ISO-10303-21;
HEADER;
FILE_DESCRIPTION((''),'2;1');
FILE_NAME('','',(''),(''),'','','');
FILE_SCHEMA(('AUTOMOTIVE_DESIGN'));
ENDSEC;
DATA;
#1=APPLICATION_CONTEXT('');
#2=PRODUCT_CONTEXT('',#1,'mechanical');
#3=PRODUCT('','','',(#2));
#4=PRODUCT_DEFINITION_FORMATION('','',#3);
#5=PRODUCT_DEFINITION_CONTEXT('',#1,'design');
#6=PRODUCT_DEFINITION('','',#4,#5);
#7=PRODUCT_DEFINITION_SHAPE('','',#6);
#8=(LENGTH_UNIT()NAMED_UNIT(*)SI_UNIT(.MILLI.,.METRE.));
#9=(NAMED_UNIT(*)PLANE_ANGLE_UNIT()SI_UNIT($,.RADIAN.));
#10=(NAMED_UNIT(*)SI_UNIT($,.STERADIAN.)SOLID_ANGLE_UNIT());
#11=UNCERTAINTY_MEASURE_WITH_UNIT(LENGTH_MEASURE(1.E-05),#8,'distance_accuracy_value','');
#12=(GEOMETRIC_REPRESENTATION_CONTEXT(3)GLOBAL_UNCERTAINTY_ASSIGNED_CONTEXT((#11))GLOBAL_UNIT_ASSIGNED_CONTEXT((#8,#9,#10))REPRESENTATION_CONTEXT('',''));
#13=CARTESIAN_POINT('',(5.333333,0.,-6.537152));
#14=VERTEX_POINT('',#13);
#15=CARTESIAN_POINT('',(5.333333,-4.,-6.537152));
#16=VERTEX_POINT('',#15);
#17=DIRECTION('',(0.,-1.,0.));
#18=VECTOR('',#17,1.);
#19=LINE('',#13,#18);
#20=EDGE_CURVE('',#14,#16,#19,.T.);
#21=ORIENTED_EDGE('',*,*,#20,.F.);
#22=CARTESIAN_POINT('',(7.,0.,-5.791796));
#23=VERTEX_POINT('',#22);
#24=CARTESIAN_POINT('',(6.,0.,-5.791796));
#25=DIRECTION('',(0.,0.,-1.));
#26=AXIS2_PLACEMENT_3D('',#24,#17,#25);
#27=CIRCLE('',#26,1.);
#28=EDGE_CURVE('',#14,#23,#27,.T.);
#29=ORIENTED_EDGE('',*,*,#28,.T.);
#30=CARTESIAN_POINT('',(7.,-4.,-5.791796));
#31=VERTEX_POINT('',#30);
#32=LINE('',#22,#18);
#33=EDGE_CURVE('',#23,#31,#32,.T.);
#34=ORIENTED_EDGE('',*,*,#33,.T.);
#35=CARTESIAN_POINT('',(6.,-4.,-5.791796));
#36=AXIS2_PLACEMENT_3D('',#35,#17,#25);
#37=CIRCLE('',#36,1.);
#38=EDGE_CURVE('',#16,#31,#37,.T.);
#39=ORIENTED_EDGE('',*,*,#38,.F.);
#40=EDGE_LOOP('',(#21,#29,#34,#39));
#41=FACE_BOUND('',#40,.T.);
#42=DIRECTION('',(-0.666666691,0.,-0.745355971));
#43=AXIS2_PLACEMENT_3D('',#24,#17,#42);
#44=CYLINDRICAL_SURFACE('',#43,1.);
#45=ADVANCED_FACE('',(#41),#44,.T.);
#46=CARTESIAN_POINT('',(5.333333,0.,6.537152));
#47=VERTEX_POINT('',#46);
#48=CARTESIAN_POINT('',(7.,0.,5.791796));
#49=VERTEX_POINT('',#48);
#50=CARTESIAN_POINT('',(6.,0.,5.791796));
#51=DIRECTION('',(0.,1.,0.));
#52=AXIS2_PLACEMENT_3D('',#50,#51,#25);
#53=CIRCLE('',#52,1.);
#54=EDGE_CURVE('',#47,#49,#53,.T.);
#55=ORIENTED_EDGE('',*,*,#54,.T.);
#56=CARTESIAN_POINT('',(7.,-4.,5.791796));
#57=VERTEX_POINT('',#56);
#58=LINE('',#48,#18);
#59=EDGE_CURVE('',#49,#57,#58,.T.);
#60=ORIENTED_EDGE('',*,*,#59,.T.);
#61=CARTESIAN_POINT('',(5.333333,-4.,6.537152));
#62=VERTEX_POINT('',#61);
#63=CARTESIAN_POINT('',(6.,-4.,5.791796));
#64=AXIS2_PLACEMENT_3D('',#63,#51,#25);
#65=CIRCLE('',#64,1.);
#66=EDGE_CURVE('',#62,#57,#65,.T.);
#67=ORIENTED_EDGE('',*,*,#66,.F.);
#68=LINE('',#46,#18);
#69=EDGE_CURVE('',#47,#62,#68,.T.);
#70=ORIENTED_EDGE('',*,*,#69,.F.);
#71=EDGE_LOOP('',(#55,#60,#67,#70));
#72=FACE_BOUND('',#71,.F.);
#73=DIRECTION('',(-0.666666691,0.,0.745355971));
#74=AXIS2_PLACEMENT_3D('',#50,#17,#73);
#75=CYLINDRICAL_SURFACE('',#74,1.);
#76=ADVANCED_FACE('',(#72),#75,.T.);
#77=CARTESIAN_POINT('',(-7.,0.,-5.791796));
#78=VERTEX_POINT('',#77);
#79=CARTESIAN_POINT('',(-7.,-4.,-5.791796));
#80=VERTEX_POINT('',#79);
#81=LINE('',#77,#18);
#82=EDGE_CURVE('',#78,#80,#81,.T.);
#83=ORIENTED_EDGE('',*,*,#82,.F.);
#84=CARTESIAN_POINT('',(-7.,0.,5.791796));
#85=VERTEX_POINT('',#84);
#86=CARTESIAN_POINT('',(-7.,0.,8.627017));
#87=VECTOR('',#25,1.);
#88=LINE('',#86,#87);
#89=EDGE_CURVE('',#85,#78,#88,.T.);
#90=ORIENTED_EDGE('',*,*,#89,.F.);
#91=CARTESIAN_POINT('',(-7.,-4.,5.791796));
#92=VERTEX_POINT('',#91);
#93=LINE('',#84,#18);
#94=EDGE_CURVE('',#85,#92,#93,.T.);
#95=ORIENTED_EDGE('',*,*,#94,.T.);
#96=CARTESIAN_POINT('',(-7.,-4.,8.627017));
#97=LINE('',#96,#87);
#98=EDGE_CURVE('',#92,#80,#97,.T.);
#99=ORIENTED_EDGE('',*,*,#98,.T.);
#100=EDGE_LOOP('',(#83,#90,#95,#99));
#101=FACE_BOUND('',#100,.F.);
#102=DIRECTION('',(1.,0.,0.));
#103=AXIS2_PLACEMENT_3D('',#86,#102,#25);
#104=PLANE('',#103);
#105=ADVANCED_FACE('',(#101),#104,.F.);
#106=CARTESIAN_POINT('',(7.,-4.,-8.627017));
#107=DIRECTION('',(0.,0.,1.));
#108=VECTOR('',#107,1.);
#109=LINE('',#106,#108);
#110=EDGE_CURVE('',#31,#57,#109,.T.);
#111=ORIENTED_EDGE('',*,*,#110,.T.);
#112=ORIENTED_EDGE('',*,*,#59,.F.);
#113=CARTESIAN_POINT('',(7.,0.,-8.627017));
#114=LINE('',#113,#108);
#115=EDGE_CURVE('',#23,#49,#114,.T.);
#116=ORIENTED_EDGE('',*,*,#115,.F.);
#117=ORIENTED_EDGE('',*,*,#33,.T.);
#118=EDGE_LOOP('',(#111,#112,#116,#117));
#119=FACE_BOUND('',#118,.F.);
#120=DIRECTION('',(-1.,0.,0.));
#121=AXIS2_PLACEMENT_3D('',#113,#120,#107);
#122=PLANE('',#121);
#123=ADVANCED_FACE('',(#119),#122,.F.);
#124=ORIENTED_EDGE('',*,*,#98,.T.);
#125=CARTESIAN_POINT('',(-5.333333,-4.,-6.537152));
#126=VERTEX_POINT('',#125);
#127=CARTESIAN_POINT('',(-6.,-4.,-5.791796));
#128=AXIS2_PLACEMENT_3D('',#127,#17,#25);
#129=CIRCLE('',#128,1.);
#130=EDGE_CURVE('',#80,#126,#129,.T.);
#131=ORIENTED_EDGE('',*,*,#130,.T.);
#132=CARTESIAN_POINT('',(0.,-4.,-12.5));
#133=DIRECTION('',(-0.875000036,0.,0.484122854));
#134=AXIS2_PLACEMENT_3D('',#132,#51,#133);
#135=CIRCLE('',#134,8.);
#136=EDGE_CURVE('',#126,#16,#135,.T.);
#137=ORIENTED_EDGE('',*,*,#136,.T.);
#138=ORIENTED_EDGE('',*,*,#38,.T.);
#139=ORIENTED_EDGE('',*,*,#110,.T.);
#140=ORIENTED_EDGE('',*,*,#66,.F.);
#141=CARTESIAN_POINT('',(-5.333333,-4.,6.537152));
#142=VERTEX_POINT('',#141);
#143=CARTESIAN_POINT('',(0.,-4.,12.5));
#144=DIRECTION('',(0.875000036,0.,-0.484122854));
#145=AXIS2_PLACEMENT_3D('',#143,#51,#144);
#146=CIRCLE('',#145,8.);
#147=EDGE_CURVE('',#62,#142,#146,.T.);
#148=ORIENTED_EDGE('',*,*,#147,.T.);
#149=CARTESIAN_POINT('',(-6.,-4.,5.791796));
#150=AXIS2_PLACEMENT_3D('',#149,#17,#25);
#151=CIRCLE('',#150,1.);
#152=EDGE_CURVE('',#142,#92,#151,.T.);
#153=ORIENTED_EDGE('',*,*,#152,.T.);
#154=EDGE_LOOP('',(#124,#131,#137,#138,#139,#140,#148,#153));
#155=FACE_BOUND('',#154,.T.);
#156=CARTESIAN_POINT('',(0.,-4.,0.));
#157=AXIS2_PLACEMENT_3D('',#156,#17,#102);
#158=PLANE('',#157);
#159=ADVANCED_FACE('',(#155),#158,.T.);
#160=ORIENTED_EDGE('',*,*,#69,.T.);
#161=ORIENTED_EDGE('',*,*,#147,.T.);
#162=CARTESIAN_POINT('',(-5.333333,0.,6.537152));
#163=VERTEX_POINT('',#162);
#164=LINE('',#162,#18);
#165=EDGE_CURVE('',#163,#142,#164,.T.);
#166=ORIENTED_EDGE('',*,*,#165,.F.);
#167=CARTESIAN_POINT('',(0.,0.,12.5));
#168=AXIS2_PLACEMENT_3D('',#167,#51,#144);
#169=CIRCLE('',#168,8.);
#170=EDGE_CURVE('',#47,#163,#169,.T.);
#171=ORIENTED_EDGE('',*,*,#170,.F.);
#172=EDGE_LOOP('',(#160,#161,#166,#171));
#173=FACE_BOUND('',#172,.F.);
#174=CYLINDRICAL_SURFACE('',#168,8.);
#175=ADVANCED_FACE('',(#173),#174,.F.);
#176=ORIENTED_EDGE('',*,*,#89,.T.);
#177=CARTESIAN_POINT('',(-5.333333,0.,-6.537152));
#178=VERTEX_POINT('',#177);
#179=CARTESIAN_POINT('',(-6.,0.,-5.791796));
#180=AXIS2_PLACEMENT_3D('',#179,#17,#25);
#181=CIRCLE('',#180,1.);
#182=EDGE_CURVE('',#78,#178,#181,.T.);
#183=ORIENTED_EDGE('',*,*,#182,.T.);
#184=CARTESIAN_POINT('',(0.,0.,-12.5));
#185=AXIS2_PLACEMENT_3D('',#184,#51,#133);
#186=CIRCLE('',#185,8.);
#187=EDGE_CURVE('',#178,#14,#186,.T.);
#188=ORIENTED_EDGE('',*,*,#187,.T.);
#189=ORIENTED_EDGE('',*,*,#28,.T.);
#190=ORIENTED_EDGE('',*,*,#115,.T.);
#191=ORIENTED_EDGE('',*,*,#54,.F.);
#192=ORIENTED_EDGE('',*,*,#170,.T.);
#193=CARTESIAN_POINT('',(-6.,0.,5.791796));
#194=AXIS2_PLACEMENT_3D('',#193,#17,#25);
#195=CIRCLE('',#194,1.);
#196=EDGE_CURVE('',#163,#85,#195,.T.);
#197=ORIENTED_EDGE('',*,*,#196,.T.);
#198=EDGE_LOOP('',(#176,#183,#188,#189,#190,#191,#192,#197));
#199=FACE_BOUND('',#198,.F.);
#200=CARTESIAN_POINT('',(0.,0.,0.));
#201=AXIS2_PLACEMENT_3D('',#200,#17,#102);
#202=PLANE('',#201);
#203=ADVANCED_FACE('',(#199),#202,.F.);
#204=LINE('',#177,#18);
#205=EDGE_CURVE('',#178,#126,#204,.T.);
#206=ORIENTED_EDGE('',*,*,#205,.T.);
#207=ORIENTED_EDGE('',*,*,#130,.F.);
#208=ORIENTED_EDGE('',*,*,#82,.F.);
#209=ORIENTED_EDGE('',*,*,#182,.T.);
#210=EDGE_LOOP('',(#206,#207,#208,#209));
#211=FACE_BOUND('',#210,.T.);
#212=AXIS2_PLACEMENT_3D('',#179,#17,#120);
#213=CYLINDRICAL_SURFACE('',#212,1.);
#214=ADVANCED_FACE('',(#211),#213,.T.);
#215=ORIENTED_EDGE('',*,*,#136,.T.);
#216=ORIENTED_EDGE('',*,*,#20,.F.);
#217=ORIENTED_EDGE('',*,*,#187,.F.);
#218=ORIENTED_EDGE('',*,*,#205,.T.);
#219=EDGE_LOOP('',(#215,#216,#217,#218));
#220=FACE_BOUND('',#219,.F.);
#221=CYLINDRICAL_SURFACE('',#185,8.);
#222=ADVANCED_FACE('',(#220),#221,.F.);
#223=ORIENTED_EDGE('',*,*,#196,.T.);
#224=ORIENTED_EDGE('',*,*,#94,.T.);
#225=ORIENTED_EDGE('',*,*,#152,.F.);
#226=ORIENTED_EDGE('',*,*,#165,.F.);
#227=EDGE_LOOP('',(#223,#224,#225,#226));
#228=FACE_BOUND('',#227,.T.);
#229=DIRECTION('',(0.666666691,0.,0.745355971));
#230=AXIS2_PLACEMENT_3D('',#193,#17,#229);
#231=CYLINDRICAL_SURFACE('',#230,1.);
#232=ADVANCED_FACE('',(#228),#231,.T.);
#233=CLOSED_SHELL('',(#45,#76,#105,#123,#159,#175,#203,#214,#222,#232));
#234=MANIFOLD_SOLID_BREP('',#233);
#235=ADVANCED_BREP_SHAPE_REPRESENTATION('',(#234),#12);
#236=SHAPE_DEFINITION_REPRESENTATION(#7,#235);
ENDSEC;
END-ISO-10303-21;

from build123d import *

# Parameters (mm, degrees)
F1_DEPTH = 4
F2_R     = 1


with BuildPart() as f1:
    # F0 (on Front) → F1 (new body)
    with BuildSketch(Plane.XZ):
        with BuildLine():
            ThreePointArc((7, 8.627017), (0, 4.5), (-7, 8.627017))
            Line((-7, 8.627017), (-7, -8.627017))
            ThreePointArc((-7, -8.627017), (0, -4.5), (7, -8.627017))
            Line((7, -8.627017), (7, 8.627017))
        make_face()
    extrude(amount=F1_DEPTH)

    # F2
    f2_edges = [f1.edges().sort_by_distance(p)[0] for p in [
        (-7, -2, -8.627017),
        (7, -2, -8.627017),
        (-7, -2, 8.627017),
        (7, -2, 8.627017),
    ]]
    fillet(f2_edges, radius=F2_R)


solid = f1.part
